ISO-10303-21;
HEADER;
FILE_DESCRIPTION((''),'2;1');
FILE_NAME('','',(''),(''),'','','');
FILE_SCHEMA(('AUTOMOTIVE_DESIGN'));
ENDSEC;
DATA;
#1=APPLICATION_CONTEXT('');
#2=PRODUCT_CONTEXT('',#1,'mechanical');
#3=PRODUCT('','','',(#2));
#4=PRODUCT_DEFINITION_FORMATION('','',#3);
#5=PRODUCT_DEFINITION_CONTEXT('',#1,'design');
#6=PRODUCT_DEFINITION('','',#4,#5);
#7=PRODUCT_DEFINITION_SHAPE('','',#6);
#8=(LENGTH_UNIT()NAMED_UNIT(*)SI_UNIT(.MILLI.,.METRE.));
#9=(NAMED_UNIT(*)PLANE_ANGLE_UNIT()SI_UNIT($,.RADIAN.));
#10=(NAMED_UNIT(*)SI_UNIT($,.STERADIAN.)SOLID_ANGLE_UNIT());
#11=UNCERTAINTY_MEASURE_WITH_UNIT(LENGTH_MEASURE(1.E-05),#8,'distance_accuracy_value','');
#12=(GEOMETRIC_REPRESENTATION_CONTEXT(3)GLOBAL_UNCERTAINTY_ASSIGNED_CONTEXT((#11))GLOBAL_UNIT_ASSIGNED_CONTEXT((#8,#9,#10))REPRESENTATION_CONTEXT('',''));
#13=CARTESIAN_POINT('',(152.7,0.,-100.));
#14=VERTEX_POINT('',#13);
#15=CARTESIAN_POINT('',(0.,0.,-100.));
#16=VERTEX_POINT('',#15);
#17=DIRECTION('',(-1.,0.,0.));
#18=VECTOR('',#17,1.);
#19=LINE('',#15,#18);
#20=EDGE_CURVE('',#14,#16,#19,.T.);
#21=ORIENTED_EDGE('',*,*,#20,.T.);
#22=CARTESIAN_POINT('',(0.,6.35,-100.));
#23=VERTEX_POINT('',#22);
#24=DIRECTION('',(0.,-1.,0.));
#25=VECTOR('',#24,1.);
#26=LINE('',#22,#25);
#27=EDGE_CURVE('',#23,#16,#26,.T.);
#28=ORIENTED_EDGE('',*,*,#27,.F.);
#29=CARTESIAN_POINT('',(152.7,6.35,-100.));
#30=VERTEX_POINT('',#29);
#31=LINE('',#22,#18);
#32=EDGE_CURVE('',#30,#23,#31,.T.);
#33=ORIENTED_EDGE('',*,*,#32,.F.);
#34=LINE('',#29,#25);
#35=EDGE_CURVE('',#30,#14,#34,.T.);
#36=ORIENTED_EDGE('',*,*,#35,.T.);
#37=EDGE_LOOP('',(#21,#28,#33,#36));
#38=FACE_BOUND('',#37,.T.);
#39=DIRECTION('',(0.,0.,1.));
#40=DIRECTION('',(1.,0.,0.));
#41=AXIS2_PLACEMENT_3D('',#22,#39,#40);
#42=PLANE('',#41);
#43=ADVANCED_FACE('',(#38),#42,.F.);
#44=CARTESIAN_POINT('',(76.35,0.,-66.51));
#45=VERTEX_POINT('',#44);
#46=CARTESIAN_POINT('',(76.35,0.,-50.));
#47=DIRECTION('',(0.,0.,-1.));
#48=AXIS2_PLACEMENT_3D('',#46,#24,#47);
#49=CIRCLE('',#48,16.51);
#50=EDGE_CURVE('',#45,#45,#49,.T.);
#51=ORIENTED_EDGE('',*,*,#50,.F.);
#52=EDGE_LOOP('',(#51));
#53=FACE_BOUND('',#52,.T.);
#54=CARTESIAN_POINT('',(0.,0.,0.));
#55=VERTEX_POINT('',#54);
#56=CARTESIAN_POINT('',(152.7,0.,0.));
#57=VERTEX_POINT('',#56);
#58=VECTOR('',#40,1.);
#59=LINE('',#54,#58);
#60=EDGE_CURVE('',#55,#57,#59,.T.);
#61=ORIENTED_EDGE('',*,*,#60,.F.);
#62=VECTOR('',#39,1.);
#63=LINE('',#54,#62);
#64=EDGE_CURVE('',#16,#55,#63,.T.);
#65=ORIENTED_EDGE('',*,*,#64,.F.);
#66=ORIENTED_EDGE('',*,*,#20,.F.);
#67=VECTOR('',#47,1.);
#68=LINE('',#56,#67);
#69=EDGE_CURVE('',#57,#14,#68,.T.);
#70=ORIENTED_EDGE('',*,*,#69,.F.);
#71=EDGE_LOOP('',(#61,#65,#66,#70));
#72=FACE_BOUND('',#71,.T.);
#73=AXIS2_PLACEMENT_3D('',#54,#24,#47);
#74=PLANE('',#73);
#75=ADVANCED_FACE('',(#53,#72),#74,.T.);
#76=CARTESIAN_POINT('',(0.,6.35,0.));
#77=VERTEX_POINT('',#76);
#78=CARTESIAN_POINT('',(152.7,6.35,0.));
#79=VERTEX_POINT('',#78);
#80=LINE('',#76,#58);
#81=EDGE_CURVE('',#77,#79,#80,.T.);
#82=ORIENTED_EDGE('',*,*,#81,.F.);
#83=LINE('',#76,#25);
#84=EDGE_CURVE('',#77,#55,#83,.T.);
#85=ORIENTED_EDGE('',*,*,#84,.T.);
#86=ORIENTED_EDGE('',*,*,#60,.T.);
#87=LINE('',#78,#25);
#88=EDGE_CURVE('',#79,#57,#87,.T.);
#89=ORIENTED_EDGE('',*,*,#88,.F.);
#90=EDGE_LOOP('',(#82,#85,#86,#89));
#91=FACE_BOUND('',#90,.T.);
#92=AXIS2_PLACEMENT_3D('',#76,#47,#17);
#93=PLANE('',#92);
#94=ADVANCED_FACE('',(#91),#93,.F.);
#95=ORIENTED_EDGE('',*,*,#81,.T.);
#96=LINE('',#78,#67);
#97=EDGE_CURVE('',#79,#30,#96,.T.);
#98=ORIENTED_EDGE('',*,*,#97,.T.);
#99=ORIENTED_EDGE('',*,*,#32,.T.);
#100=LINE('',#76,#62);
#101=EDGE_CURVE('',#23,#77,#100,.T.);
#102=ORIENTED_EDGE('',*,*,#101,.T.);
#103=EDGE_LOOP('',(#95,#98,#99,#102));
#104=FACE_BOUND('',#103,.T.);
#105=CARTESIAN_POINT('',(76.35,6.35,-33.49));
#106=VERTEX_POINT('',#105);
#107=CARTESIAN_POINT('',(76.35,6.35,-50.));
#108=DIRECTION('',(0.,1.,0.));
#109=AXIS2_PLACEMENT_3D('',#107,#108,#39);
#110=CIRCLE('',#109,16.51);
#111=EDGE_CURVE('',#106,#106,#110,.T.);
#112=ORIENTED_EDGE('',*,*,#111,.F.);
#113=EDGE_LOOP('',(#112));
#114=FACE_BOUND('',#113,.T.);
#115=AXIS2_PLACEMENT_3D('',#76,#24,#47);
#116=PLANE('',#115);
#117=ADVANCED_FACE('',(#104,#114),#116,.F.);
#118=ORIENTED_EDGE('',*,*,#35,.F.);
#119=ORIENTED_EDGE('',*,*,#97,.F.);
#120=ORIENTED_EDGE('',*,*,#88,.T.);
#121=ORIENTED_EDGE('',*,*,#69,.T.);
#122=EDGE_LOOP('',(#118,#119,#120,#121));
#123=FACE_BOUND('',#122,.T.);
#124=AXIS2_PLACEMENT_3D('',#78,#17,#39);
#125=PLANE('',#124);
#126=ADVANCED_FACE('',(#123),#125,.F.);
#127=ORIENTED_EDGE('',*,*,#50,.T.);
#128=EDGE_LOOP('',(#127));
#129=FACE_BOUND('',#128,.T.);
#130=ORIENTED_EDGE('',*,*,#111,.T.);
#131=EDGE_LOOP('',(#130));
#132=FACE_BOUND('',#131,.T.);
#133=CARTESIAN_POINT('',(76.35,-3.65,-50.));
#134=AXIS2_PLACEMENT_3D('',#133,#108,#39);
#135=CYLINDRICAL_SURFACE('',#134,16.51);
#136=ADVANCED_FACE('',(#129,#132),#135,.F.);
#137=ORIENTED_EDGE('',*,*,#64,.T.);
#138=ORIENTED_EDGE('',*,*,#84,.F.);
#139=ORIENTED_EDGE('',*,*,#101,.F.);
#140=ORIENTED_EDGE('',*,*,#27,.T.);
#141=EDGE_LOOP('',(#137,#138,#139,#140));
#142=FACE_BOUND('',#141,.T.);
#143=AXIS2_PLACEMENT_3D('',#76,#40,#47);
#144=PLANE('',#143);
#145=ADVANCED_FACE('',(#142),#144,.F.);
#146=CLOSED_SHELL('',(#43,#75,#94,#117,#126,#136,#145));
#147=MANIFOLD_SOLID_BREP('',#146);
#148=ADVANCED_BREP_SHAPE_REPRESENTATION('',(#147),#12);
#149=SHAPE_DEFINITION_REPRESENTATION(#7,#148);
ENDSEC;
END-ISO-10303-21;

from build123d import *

# Parameters (mm, degrees)
SKETCH1_W           = 152.7
SKETCH1_H           = 100
BOSS_EXTRUDE1_DEPTH = 6.35
SKETCH2_R           = 16.51
CUT_EXTRUDE1_DEPTH  = 10


with BuildPart() as part:
    # Sketch1 → Boss-Extrude1 (new body)
    with BuildSketch(Plane(origin=(0, 0, 0), x_dir=(1, 0, 0), z_dir=(0, 1, 0))):
        with Locations((76.35, 50)):
            Rectangle(SKETCH1_W, SKETCH1_H)
    extrude(amount=BOSS_EXTRUDE1_DEPTH)

    # Sketch2 → Cut-Extrude1 (cut)
    with BuildSketch(Plane(origin=(0, 6.35, 0), x_dir=(1, 0, 0), z_dir=(0, 1, 0))):
        with Locations(Location((76.35, 50, 0), (0, 0, 270))):
            Circle(SKETCH2_R)
    extrude(amount=-CUT_EXTRUDE1_DEPTH, mode=Mode.SUBTRACT)


solid = part.part
